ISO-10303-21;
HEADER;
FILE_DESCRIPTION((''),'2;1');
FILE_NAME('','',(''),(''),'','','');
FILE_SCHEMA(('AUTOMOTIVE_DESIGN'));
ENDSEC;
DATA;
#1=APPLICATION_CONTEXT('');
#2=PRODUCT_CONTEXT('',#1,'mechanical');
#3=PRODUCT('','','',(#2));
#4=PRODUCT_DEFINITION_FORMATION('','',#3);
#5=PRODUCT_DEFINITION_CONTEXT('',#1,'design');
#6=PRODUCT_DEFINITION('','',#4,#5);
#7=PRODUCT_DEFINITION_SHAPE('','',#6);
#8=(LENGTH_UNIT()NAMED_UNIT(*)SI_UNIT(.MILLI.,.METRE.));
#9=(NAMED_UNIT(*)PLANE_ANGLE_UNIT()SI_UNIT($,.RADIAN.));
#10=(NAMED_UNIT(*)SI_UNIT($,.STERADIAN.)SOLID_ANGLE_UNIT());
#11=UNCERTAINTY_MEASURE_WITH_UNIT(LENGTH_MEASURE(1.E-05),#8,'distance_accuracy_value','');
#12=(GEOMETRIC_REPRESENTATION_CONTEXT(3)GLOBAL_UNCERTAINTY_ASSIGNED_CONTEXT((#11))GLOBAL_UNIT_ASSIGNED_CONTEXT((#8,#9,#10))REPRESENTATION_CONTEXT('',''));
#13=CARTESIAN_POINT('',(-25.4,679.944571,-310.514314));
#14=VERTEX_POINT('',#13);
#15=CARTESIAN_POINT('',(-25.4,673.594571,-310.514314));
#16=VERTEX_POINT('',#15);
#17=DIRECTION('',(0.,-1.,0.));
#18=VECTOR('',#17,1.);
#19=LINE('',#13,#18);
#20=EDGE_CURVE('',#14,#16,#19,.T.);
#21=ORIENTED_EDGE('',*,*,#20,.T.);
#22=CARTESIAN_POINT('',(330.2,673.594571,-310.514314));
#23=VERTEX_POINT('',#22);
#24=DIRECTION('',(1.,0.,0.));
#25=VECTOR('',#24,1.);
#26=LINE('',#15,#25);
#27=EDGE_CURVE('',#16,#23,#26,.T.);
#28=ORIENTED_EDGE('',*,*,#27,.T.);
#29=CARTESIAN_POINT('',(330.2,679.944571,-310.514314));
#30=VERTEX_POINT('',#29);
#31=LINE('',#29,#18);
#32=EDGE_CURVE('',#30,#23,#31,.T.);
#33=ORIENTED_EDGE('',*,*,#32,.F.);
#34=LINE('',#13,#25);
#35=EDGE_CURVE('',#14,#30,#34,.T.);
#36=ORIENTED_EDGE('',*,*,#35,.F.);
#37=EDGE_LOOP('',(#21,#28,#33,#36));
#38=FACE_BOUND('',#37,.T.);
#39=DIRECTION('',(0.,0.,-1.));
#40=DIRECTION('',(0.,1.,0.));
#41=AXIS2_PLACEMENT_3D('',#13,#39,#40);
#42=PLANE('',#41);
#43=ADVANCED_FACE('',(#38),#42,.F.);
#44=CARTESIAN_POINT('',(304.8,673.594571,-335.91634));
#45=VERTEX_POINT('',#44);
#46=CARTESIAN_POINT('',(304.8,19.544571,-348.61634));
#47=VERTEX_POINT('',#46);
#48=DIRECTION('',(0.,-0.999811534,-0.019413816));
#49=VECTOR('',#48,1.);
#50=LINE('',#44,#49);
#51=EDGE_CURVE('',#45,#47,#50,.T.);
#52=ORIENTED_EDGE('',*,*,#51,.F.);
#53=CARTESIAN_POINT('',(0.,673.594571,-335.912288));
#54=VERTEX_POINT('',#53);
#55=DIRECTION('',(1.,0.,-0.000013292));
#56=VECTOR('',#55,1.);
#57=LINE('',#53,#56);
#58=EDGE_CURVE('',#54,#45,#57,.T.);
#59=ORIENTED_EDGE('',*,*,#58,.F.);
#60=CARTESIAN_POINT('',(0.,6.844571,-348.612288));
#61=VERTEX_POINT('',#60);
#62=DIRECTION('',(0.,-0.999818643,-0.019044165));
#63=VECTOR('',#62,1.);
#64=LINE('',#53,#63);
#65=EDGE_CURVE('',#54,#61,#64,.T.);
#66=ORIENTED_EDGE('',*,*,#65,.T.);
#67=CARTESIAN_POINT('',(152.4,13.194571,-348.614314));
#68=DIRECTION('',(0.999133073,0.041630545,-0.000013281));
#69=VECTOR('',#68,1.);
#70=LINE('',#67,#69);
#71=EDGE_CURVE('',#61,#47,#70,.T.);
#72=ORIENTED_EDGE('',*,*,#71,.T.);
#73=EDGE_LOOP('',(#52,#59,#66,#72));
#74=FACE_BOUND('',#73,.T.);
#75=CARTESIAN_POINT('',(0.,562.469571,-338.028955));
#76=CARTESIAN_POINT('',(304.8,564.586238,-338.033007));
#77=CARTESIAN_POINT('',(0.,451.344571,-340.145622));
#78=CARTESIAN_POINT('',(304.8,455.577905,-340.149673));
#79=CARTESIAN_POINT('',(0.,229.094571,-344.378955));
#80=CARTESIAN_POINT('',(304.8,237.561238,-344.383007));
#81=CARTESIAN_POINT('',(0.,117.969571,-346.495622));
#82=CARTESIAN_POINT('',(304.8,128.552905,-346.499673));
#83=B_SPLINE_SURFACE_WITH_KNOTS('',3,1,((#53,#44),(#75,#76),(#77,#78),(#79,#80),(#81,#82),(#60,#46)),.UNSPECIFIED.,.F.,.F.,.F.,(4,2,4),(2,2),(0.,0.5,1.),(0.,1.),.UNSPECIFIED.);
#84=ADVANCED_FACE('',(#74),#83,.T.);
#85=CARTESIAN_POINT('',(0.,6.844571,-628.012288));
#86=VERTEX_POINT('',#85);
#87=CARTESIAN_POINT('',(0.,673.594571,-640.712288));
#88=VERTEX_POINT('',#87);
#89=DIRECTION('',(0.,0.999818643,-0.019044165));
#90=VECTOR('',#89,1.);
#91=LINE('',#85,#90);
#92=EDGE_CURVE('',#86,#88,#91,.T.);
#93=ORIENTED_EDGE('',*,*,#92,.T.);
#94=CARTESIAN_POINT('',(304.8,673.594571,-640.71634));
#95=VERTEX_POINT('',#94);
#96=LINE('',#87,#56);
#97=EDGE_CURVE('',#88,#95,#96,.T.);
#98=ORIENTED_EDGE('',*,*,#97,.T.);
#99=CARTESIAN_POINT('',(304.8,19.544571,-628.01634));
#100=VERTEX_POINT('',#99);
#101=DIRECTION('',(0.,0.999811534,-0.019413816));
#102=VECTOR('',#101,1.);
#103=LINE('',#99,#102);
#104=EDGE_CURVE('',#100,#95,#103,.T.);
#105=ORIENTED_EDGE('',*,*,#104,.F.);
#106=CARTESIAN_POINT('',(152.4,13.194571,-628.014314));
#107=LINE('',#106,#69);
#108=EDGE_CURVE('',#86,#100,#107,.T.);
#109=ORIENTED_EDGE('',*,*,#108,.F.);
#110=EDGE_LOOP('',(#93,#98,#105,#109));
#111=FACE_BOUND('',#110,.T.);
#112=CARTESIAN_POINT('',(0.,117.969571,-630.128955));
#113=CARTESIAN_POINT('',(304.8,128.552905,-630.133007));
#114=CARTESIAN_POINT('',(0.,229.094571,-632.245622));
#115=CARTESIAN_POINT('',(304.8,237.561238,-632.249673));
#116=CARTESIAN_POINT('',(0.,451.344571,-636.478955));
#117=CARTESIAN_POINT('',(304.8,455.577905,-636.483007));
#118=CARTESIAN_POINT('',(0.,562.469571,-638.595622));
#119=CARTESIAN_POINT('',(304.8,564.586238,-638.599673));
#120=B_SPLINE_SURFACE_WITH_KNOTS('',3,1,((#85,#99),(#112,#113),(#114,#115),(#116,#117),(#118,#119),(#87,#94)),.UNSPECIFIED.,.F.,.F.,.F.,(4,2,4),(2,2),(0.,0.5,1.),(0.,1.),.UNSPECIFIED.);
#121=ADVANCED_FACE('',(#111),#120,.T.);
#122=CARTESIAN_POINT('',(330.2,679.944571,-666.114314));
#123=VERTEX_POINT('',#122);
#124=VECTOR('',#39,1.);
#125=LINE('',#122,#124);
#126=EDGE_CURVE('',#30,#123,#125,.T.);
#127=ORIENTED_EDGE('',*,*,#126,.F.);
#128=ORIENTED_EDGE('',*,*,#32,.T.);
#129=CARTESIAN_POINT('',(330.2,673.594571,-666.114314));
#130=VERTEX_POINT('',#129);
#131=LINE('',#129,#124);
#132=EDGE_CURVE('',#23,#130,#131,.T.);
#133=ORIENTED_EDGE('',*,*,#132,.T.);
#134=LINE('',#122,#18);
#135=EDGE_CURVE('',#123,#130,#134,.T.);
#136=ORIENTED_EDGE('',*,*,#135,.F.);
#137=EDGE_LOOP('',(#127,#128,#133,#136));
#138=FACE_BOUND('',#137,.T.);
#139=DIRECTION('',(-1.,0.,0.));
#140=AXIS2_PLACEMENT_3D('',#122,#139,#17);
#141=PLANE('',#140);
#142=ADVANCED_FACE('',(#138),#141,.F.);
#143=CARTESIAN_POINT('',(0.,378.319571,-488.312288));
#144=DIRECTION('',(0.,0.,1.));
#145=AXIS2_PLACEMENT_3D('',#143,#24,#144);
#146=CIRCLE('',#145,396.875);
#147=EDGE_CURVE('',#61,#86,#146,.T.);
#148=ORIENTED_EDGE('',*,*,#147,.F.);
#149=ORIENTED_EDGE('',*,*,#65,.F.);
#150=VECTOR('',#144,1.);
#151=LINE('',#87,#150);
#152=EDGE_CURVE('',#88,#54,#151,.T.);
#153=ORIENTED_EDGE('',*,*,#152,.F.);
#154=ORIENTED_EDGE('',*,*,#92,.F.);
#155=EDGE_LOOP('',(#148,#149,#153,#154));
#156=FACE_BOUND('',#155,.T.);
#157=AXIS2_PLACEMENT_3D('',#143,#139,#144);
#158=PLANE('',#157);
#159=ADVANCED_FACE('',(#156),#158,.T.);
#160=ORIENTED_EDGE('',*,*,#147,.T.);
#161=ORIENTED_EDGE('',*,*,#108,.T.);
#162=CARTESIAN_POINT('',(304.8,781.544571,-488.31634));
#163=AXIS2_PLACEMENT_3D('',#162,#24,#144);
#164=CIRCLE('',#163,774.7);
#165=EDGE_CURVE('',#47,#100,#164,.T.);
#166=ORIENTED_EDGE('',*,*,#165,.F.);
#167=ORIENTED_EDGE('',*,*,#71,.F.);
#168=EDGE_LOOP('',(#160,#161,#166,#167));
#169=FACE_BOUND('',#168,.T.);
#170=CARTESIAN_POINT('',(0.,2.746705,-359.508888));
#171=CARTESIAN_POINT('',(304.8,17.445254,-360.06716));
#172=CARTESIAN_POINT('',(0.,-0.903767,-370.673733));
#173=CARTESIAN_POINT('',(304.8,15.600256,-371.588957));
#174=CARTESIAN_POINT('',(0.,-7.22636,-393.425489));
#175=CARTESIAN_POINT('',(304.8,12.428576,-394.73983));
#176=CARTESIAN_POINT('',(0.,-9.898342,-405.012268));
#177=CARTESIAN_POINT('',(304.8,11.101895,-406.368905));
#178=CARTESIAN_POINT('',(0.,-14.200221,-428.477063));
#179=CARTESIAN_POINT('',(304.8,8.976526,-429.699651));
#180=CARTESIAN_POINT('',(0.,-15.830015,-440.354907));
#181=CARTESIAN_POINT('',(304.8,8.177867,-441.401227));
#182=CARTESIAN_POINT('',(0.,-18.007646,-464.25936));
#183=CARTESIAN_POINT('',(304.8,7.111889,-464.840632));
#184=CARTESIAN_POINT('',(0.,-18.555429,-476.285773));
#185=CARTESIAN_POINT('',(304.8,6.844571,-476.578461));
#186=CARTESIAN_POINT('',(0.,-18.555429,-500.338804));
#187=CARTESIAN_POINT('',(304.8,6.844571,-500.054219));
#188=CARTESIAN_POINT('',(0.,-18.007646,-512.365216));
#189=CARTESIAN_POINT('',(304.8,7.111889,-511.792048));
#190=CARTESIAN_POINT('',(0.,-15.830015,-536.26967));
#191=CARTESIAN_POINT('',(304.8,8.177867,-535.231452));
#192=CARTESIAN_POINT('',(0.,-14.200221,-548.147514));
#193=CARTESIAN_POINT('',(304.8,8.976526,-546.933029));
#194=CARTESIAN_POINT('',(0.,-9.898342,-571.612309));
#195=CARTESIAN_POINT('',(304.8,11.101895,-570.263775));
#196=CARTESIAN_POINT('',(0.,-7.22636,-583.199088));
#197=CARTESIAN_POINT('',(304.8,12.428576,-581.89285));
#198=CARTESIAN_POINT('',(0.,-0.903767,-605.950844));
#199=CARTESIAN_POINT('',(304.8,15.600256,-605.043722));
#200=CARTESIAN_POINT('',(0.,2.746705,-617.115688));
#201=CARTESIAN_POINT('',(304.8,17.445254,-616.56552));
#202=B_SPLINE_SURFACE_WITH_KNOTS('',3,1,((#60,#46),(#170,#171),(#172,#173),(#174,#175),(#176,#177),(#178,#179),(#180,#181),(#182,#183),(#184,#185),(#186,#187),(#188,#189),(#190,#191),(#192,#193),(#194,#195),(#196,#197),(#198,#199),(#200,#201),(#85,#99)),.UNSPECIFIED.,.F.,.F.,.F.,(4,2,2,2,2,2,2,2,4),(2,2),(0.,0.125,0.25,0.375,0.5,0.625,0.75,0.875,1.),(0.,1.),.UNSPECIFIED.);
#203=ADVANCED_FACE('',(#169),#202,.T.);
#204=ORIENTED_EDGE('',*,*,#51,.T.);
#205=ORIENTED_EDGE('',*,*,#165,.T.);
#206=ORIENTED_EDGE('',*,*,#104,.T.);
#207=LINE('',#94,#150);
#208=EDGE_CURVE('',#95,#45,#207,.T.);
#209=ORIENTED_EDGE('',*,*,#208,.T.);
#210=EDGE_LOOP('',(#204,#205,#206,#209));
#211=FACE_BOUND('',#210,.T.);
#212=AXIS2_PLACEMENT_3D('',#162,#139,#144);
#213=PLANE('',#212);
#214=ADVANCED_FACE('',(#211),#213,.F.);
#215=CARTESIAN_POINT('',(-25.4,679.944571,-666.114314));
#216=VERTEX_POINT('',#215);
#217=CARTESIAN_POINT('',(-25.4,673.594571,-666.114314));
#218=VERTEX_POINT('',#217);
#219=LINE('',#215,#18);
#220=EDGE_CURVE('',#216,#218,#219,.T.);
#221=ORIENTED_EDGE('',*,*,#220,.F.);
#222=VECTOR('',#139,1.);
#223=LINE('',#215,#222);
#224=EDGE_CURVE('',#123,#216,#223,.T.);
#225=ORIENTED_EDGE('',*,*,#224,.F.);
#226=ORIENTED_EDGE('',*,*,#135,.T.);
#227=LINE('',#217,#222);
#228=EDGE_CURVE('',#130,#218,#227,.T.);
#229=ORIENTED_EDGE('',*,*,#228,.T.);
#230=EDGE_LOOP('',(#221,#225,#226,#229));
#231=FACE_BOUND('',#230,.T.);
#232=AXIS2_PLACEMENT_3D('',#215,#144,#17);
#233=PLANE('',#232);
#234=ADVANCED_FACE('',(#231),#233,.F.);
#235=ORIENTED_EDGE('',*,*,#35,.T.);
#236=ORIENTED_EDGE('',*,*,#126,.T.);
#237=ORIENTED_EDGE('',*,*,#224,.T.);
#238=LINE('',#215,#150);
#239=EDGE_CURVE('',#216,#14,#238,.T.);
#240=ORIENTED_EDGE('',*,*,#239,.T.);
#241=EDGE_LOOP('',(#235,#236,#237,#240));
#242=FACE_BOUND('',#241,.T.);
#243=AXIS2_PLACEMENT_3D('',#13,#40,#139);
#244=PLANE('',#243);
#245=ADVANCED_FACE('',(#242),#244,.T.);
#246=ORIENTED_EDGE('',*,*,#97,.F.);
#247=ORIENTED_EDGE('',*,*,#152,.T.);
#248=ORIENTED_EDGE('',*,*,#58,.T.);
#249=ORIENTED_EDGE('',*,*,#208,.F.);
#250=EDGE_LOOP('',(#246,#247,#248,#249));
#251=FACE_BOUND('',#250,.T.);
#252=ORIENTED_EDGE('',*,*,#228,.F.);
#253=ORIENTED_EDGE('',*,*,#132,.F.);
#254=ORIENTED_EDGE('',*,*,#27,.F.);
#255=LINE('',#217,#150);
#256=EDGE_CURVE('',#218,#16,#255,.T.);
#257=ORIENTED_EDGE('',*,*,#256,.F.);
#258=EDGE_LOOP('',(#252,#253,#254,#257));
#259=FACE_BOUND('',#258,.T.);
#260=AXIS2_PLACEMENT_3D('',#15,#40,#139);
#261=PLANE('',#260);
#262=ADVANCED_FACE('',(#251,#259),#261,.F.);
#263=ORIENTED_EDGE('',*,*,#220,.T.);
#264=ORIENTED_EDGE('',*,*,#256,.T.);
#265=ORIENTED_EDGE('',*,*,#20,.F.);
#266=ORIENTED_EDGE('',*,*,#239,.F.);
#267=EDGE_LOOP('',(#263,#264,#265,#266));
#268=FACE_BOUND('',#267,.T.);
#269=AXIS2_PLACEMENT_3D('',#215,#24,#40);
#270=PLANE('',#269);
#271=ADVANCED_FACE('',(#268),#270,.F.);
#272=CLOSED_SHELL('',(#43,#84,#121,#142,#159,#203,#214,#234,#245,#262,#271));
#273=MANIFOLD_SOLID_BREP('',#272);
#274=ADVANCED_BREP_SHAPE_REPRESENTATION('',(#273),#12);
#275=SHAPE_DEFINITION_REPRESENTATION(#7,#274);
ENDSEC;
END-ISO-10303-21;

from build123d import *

# Parameters (mm, degrees)
SKETCH9_W = 355.6
SKETCH9_H = 355.6
LID_DEPTH = 6.35


with BuildPart() as part:
    # Tall side for Body → Body section 0
    with BuildSketch(Plane(origin=(0, 0, 0), x_dir=(0, 0, -1), z_dir=(1, 0, 0))):
        with BuildLine():
            Line((640.712288406, 673.594571301), (335.912288406, 673.594571301))
            Line((335.912288406, 673.594571301), (348.612288406, 6.844571301))
            # circular arc as an exact rational Bezier (weights 1, cos(half-angle), 1)
            Bezier((348.612288406, 6.844571301), (488.312288406, -45.692180835), (628.012288406, 6.844571301), weights=[1, 0.936, 1])
            Line((628.012288406, 6.844571301), (640.712288406, 673.594571301))
        make_face()
    # Short side for Body → Body section 1
    with BuildSketch(Plane(origin=(304.8, 0, 0), x_dir=(0, 0, -1), z_dir=(1, 0, 0))):
        with BuildLine():
            Line((640.716339838, 673.594571301), (335.916339838, 673.594571301))
            Line((335.916339838, 673.594571301), (348.616339838, 19.544571301))
            Bezier((348.616339838, 19.544571301), (488.316339838, -6.067095365), (628.016339838, 19.544571301), weights=[1, 0.983606557, 1])
            Line((628.016339838, 19.544571301), (640.716339838, 673.594571301))
        make_face()
    loft()

    # Sketch9 → Lid (add)
    with BuildSketch(Plane(origin=(0, 673.594571301, 0), x_dir=(1, 0, 0), z_dir=(0, 1, 0))):
        with Locations((152.4, 488.314314122)):
            Rectangle(SKETCH9_W, SKETCH9_H)
    extrude(amount=LID_DEPTH)


solid = part.part
